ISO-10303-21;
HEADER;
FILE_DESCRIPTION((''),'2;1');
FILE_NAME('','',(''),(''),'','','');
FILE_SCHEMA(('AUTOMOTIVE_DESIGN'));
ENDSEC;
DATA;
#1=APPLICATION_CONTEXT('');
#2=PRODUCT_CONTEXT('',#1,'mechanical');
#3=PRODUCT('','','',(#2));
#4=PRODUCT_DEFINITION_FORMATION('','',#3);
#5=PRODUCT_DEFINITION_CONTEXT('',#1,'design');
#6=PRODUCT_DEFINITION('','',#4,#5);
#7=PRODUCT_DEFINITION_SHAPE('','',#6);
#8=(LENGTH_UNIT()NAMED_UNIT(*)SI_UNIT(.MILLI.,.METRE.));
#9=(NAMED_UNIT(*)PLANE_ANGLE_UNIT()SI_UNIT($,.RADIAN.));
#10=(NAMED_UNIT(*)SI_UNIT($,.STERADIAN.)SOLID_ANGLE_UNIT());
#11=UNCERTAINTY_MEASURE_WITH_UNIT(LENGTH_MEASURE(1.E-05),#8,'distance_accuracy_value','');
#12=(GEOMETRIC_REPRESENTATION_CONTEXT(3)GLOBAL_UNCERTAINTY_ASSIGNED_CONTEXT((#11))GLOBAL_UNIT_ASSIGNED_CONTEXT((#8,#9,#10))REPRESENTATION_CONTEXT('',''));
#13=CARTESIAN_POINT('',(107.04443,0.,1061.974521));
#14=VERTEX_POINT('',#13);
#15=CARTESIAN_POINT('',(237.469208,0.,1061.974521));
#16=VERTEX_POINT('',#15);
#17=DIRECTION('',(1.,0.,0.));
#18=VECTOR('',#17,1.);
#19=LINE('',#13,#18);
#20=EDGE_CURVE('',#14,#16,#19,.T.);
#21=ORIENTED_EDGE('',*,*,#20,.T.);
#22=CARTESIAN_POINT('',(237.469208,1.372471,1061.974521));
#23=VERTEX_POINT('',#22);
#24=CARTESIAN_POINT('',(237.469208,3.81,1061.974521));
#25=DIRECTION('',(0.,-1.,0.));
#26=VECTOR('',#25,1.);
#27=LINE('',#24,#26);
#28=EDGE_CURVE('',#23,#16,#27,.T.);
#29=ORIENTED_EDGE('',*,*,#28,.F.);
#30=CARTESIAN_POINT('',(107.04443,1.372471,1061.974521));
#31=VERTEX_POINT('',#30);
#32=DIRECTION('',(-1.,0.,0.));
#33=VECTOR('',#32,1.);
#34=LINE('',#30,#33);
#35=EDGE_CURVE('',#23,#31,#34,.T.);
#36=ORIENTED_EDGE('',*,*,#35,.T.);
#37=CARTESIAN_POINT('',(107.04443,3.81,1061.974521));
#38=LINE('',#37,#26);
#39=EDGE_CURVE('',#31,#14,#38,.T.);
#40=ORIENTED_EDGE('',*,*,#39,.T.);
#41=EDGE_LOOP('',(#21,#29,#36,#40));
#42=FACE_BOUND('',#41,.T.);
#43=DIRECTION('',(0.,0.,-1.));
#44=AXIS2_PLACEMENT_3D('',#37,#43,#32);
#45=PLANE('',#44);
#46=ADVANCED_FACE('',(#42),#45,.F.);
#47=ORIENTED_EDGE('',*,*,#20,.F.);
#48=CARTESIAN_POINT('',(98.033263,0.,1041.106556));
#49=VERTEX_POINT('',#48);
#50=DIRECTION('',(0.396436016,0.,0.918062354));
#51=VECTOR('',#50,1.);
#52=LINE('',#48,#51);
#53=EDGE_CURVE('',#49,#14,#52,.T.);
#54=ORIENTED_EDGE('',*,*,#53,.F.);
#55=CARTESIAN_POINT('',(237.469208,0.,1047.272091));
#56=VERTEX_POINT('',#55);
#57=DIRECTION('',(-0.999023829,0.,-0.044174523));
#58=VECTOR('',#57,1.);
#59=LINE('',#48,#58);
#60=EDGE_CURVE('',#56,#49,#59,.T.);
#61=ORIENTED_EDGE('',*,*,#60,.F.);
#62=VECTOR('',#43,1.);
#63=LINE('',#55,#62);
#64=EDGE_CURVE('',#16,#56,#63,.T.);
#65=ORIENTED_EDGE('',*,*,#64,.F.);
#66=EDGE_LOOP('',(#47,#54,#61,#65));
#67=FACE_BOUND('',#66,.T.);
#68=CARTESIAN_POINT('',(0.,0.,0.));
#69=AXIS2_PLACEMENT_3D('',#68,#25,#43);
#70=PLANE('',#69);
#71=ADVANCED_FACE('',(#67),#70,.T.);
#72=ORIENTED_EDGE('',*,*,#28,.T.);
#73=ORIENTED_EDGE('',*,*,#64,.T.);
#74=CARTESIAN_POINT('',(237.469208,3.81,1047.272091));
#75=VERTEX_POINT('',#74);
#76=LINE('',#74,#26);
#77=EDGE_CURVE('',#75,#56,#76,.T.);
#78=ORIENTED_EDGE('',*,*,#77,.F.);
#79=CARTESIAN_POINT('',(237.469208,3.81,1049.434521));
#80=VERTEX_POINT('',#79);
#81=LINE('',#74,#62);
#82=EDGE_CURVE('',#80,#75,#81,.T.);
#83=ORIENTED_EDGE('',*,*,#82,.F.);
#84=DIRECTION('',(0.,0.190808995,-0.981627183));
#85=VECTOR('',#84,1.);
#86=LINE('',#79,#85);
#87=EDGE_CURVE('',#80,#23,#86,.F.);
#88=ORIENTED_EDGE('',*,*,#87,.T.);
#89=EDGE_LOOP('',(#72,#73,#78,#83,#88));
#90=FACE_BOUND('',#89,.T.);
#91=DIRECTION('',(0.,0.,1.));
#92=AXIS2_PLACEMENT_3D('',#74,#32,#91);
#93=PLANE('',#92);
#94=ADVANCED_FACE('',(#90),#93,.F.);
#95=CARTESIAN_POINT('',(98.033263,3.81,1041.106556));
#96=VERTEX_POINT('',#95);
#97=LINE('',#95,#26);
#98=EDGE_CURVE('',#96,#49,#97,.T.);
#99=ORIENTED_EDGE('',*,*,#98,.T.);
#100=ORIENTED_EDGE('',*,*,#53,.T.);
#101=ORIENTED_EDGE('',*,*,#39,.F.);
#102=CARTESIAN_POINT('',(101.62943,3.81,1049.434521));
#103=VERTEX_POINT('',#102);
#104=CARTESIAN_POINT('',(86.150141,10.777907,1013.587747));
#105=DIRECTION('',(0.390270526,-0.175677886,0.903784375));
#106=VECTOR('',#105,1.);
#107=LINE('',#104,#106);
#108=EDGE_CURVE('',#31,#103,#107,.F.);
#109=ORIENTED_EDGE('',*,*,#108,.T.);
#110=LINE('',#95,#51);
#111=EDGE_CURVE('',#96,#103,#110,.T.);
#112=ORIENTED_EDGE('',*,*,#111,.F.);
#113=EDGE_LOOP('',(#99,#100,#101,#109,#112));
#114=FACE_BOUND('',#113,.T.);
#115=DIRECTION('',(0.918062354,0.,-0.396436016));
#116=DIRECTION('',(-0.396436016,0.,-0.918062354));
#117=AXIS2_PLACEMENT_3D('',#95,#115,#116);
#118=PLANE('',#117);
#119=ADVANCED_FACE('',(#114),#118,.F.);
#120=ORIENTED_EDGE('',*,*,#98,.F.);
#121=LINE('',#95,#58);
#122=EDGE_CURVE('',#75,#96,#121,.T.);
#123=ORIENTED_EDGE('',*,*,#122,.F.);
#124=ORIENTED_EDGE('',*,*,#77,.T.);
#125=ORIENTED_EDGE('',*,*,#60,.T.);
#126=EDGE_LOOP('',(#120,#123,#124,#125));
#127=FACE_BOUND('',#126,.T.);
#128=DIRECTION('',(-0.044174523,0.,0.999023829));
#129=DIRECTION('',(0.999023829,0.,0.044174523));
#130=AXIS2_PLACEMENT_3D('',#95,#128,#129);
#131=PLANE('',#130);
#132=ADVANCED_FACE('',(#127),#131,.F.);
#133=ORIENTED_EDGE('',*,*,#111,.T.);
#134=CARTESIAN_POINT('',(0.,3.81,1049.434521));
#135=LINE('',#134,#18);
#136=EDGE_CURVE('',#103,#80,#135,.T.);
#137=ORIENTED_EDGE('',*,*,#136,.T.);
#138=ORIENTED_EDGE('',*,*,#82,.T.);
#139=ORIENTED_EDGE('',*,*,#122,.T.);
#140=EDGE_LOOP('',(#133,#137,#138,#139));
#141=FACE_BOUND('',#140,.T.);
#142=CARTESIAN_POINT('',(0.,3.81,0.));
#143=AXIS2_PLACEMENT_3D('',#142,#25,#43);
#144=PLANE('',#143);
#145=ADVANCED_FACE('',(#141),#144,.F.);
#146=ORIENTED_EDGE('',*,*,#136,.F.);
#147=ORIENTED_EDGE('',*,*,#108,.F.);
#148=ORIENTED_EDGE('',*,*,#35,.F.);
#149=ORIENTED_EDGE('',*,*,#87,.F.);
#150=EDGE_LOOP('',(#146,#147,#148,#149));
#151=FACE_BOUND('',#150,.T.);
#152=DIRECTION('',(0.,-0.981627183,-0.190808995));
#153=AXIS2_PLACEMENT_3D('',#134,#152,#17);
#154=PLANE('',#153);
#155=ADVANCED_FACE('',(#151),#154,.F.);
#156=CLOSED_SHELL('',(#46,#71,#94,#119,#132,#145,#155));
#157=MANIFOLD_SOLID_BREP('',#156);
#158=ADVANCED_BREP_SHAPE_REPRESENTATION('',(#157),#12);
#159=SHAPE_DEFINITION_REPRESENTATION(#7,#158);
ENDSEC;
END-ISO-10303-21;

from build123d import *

# Parameters (mm, degrees)
BOSS_EXTRUDE1_DEPTH = 3.81
CHAMFER1_SIZE       = 12.54
CHAMFER1_SIZE2      = 2.437529077


with BuildPart() as part:
    # Sketch2 → Boss-Extrude1 (new body)
    with BuildSketch(Plane(origin=(0, 0, 0), x_dir=(1, 0, 0), z_dir=(0, 1, 0))):
        Polygon((98.033263401, -1041.106556332), (107.044429893, -1061.974520841), (237.469208074, -1061.974520841), (237.469208074, -1047.272091301), align=None)
    extrude(amount=BOSS_EXTRUDE1_DEPTH)

    # Chamfer1
    chamfer1_edges = [part.edges().sort_by_distance(p)[0] for p in [
        (172.256818983, 3.81, 1061.974520841),
    ]]
    chamfer1_side = [part.faces().sort_by_distance(p)[0] for p in [
        (166.193416202, 3.81, 1052.913037199),
    ]]
    chamfer(chamfer1_edges, length=CHAMFER1_SIZE, length2=CHAMFER1_SIZE2, reference=chamfer1_side[0])


solid = part.part
